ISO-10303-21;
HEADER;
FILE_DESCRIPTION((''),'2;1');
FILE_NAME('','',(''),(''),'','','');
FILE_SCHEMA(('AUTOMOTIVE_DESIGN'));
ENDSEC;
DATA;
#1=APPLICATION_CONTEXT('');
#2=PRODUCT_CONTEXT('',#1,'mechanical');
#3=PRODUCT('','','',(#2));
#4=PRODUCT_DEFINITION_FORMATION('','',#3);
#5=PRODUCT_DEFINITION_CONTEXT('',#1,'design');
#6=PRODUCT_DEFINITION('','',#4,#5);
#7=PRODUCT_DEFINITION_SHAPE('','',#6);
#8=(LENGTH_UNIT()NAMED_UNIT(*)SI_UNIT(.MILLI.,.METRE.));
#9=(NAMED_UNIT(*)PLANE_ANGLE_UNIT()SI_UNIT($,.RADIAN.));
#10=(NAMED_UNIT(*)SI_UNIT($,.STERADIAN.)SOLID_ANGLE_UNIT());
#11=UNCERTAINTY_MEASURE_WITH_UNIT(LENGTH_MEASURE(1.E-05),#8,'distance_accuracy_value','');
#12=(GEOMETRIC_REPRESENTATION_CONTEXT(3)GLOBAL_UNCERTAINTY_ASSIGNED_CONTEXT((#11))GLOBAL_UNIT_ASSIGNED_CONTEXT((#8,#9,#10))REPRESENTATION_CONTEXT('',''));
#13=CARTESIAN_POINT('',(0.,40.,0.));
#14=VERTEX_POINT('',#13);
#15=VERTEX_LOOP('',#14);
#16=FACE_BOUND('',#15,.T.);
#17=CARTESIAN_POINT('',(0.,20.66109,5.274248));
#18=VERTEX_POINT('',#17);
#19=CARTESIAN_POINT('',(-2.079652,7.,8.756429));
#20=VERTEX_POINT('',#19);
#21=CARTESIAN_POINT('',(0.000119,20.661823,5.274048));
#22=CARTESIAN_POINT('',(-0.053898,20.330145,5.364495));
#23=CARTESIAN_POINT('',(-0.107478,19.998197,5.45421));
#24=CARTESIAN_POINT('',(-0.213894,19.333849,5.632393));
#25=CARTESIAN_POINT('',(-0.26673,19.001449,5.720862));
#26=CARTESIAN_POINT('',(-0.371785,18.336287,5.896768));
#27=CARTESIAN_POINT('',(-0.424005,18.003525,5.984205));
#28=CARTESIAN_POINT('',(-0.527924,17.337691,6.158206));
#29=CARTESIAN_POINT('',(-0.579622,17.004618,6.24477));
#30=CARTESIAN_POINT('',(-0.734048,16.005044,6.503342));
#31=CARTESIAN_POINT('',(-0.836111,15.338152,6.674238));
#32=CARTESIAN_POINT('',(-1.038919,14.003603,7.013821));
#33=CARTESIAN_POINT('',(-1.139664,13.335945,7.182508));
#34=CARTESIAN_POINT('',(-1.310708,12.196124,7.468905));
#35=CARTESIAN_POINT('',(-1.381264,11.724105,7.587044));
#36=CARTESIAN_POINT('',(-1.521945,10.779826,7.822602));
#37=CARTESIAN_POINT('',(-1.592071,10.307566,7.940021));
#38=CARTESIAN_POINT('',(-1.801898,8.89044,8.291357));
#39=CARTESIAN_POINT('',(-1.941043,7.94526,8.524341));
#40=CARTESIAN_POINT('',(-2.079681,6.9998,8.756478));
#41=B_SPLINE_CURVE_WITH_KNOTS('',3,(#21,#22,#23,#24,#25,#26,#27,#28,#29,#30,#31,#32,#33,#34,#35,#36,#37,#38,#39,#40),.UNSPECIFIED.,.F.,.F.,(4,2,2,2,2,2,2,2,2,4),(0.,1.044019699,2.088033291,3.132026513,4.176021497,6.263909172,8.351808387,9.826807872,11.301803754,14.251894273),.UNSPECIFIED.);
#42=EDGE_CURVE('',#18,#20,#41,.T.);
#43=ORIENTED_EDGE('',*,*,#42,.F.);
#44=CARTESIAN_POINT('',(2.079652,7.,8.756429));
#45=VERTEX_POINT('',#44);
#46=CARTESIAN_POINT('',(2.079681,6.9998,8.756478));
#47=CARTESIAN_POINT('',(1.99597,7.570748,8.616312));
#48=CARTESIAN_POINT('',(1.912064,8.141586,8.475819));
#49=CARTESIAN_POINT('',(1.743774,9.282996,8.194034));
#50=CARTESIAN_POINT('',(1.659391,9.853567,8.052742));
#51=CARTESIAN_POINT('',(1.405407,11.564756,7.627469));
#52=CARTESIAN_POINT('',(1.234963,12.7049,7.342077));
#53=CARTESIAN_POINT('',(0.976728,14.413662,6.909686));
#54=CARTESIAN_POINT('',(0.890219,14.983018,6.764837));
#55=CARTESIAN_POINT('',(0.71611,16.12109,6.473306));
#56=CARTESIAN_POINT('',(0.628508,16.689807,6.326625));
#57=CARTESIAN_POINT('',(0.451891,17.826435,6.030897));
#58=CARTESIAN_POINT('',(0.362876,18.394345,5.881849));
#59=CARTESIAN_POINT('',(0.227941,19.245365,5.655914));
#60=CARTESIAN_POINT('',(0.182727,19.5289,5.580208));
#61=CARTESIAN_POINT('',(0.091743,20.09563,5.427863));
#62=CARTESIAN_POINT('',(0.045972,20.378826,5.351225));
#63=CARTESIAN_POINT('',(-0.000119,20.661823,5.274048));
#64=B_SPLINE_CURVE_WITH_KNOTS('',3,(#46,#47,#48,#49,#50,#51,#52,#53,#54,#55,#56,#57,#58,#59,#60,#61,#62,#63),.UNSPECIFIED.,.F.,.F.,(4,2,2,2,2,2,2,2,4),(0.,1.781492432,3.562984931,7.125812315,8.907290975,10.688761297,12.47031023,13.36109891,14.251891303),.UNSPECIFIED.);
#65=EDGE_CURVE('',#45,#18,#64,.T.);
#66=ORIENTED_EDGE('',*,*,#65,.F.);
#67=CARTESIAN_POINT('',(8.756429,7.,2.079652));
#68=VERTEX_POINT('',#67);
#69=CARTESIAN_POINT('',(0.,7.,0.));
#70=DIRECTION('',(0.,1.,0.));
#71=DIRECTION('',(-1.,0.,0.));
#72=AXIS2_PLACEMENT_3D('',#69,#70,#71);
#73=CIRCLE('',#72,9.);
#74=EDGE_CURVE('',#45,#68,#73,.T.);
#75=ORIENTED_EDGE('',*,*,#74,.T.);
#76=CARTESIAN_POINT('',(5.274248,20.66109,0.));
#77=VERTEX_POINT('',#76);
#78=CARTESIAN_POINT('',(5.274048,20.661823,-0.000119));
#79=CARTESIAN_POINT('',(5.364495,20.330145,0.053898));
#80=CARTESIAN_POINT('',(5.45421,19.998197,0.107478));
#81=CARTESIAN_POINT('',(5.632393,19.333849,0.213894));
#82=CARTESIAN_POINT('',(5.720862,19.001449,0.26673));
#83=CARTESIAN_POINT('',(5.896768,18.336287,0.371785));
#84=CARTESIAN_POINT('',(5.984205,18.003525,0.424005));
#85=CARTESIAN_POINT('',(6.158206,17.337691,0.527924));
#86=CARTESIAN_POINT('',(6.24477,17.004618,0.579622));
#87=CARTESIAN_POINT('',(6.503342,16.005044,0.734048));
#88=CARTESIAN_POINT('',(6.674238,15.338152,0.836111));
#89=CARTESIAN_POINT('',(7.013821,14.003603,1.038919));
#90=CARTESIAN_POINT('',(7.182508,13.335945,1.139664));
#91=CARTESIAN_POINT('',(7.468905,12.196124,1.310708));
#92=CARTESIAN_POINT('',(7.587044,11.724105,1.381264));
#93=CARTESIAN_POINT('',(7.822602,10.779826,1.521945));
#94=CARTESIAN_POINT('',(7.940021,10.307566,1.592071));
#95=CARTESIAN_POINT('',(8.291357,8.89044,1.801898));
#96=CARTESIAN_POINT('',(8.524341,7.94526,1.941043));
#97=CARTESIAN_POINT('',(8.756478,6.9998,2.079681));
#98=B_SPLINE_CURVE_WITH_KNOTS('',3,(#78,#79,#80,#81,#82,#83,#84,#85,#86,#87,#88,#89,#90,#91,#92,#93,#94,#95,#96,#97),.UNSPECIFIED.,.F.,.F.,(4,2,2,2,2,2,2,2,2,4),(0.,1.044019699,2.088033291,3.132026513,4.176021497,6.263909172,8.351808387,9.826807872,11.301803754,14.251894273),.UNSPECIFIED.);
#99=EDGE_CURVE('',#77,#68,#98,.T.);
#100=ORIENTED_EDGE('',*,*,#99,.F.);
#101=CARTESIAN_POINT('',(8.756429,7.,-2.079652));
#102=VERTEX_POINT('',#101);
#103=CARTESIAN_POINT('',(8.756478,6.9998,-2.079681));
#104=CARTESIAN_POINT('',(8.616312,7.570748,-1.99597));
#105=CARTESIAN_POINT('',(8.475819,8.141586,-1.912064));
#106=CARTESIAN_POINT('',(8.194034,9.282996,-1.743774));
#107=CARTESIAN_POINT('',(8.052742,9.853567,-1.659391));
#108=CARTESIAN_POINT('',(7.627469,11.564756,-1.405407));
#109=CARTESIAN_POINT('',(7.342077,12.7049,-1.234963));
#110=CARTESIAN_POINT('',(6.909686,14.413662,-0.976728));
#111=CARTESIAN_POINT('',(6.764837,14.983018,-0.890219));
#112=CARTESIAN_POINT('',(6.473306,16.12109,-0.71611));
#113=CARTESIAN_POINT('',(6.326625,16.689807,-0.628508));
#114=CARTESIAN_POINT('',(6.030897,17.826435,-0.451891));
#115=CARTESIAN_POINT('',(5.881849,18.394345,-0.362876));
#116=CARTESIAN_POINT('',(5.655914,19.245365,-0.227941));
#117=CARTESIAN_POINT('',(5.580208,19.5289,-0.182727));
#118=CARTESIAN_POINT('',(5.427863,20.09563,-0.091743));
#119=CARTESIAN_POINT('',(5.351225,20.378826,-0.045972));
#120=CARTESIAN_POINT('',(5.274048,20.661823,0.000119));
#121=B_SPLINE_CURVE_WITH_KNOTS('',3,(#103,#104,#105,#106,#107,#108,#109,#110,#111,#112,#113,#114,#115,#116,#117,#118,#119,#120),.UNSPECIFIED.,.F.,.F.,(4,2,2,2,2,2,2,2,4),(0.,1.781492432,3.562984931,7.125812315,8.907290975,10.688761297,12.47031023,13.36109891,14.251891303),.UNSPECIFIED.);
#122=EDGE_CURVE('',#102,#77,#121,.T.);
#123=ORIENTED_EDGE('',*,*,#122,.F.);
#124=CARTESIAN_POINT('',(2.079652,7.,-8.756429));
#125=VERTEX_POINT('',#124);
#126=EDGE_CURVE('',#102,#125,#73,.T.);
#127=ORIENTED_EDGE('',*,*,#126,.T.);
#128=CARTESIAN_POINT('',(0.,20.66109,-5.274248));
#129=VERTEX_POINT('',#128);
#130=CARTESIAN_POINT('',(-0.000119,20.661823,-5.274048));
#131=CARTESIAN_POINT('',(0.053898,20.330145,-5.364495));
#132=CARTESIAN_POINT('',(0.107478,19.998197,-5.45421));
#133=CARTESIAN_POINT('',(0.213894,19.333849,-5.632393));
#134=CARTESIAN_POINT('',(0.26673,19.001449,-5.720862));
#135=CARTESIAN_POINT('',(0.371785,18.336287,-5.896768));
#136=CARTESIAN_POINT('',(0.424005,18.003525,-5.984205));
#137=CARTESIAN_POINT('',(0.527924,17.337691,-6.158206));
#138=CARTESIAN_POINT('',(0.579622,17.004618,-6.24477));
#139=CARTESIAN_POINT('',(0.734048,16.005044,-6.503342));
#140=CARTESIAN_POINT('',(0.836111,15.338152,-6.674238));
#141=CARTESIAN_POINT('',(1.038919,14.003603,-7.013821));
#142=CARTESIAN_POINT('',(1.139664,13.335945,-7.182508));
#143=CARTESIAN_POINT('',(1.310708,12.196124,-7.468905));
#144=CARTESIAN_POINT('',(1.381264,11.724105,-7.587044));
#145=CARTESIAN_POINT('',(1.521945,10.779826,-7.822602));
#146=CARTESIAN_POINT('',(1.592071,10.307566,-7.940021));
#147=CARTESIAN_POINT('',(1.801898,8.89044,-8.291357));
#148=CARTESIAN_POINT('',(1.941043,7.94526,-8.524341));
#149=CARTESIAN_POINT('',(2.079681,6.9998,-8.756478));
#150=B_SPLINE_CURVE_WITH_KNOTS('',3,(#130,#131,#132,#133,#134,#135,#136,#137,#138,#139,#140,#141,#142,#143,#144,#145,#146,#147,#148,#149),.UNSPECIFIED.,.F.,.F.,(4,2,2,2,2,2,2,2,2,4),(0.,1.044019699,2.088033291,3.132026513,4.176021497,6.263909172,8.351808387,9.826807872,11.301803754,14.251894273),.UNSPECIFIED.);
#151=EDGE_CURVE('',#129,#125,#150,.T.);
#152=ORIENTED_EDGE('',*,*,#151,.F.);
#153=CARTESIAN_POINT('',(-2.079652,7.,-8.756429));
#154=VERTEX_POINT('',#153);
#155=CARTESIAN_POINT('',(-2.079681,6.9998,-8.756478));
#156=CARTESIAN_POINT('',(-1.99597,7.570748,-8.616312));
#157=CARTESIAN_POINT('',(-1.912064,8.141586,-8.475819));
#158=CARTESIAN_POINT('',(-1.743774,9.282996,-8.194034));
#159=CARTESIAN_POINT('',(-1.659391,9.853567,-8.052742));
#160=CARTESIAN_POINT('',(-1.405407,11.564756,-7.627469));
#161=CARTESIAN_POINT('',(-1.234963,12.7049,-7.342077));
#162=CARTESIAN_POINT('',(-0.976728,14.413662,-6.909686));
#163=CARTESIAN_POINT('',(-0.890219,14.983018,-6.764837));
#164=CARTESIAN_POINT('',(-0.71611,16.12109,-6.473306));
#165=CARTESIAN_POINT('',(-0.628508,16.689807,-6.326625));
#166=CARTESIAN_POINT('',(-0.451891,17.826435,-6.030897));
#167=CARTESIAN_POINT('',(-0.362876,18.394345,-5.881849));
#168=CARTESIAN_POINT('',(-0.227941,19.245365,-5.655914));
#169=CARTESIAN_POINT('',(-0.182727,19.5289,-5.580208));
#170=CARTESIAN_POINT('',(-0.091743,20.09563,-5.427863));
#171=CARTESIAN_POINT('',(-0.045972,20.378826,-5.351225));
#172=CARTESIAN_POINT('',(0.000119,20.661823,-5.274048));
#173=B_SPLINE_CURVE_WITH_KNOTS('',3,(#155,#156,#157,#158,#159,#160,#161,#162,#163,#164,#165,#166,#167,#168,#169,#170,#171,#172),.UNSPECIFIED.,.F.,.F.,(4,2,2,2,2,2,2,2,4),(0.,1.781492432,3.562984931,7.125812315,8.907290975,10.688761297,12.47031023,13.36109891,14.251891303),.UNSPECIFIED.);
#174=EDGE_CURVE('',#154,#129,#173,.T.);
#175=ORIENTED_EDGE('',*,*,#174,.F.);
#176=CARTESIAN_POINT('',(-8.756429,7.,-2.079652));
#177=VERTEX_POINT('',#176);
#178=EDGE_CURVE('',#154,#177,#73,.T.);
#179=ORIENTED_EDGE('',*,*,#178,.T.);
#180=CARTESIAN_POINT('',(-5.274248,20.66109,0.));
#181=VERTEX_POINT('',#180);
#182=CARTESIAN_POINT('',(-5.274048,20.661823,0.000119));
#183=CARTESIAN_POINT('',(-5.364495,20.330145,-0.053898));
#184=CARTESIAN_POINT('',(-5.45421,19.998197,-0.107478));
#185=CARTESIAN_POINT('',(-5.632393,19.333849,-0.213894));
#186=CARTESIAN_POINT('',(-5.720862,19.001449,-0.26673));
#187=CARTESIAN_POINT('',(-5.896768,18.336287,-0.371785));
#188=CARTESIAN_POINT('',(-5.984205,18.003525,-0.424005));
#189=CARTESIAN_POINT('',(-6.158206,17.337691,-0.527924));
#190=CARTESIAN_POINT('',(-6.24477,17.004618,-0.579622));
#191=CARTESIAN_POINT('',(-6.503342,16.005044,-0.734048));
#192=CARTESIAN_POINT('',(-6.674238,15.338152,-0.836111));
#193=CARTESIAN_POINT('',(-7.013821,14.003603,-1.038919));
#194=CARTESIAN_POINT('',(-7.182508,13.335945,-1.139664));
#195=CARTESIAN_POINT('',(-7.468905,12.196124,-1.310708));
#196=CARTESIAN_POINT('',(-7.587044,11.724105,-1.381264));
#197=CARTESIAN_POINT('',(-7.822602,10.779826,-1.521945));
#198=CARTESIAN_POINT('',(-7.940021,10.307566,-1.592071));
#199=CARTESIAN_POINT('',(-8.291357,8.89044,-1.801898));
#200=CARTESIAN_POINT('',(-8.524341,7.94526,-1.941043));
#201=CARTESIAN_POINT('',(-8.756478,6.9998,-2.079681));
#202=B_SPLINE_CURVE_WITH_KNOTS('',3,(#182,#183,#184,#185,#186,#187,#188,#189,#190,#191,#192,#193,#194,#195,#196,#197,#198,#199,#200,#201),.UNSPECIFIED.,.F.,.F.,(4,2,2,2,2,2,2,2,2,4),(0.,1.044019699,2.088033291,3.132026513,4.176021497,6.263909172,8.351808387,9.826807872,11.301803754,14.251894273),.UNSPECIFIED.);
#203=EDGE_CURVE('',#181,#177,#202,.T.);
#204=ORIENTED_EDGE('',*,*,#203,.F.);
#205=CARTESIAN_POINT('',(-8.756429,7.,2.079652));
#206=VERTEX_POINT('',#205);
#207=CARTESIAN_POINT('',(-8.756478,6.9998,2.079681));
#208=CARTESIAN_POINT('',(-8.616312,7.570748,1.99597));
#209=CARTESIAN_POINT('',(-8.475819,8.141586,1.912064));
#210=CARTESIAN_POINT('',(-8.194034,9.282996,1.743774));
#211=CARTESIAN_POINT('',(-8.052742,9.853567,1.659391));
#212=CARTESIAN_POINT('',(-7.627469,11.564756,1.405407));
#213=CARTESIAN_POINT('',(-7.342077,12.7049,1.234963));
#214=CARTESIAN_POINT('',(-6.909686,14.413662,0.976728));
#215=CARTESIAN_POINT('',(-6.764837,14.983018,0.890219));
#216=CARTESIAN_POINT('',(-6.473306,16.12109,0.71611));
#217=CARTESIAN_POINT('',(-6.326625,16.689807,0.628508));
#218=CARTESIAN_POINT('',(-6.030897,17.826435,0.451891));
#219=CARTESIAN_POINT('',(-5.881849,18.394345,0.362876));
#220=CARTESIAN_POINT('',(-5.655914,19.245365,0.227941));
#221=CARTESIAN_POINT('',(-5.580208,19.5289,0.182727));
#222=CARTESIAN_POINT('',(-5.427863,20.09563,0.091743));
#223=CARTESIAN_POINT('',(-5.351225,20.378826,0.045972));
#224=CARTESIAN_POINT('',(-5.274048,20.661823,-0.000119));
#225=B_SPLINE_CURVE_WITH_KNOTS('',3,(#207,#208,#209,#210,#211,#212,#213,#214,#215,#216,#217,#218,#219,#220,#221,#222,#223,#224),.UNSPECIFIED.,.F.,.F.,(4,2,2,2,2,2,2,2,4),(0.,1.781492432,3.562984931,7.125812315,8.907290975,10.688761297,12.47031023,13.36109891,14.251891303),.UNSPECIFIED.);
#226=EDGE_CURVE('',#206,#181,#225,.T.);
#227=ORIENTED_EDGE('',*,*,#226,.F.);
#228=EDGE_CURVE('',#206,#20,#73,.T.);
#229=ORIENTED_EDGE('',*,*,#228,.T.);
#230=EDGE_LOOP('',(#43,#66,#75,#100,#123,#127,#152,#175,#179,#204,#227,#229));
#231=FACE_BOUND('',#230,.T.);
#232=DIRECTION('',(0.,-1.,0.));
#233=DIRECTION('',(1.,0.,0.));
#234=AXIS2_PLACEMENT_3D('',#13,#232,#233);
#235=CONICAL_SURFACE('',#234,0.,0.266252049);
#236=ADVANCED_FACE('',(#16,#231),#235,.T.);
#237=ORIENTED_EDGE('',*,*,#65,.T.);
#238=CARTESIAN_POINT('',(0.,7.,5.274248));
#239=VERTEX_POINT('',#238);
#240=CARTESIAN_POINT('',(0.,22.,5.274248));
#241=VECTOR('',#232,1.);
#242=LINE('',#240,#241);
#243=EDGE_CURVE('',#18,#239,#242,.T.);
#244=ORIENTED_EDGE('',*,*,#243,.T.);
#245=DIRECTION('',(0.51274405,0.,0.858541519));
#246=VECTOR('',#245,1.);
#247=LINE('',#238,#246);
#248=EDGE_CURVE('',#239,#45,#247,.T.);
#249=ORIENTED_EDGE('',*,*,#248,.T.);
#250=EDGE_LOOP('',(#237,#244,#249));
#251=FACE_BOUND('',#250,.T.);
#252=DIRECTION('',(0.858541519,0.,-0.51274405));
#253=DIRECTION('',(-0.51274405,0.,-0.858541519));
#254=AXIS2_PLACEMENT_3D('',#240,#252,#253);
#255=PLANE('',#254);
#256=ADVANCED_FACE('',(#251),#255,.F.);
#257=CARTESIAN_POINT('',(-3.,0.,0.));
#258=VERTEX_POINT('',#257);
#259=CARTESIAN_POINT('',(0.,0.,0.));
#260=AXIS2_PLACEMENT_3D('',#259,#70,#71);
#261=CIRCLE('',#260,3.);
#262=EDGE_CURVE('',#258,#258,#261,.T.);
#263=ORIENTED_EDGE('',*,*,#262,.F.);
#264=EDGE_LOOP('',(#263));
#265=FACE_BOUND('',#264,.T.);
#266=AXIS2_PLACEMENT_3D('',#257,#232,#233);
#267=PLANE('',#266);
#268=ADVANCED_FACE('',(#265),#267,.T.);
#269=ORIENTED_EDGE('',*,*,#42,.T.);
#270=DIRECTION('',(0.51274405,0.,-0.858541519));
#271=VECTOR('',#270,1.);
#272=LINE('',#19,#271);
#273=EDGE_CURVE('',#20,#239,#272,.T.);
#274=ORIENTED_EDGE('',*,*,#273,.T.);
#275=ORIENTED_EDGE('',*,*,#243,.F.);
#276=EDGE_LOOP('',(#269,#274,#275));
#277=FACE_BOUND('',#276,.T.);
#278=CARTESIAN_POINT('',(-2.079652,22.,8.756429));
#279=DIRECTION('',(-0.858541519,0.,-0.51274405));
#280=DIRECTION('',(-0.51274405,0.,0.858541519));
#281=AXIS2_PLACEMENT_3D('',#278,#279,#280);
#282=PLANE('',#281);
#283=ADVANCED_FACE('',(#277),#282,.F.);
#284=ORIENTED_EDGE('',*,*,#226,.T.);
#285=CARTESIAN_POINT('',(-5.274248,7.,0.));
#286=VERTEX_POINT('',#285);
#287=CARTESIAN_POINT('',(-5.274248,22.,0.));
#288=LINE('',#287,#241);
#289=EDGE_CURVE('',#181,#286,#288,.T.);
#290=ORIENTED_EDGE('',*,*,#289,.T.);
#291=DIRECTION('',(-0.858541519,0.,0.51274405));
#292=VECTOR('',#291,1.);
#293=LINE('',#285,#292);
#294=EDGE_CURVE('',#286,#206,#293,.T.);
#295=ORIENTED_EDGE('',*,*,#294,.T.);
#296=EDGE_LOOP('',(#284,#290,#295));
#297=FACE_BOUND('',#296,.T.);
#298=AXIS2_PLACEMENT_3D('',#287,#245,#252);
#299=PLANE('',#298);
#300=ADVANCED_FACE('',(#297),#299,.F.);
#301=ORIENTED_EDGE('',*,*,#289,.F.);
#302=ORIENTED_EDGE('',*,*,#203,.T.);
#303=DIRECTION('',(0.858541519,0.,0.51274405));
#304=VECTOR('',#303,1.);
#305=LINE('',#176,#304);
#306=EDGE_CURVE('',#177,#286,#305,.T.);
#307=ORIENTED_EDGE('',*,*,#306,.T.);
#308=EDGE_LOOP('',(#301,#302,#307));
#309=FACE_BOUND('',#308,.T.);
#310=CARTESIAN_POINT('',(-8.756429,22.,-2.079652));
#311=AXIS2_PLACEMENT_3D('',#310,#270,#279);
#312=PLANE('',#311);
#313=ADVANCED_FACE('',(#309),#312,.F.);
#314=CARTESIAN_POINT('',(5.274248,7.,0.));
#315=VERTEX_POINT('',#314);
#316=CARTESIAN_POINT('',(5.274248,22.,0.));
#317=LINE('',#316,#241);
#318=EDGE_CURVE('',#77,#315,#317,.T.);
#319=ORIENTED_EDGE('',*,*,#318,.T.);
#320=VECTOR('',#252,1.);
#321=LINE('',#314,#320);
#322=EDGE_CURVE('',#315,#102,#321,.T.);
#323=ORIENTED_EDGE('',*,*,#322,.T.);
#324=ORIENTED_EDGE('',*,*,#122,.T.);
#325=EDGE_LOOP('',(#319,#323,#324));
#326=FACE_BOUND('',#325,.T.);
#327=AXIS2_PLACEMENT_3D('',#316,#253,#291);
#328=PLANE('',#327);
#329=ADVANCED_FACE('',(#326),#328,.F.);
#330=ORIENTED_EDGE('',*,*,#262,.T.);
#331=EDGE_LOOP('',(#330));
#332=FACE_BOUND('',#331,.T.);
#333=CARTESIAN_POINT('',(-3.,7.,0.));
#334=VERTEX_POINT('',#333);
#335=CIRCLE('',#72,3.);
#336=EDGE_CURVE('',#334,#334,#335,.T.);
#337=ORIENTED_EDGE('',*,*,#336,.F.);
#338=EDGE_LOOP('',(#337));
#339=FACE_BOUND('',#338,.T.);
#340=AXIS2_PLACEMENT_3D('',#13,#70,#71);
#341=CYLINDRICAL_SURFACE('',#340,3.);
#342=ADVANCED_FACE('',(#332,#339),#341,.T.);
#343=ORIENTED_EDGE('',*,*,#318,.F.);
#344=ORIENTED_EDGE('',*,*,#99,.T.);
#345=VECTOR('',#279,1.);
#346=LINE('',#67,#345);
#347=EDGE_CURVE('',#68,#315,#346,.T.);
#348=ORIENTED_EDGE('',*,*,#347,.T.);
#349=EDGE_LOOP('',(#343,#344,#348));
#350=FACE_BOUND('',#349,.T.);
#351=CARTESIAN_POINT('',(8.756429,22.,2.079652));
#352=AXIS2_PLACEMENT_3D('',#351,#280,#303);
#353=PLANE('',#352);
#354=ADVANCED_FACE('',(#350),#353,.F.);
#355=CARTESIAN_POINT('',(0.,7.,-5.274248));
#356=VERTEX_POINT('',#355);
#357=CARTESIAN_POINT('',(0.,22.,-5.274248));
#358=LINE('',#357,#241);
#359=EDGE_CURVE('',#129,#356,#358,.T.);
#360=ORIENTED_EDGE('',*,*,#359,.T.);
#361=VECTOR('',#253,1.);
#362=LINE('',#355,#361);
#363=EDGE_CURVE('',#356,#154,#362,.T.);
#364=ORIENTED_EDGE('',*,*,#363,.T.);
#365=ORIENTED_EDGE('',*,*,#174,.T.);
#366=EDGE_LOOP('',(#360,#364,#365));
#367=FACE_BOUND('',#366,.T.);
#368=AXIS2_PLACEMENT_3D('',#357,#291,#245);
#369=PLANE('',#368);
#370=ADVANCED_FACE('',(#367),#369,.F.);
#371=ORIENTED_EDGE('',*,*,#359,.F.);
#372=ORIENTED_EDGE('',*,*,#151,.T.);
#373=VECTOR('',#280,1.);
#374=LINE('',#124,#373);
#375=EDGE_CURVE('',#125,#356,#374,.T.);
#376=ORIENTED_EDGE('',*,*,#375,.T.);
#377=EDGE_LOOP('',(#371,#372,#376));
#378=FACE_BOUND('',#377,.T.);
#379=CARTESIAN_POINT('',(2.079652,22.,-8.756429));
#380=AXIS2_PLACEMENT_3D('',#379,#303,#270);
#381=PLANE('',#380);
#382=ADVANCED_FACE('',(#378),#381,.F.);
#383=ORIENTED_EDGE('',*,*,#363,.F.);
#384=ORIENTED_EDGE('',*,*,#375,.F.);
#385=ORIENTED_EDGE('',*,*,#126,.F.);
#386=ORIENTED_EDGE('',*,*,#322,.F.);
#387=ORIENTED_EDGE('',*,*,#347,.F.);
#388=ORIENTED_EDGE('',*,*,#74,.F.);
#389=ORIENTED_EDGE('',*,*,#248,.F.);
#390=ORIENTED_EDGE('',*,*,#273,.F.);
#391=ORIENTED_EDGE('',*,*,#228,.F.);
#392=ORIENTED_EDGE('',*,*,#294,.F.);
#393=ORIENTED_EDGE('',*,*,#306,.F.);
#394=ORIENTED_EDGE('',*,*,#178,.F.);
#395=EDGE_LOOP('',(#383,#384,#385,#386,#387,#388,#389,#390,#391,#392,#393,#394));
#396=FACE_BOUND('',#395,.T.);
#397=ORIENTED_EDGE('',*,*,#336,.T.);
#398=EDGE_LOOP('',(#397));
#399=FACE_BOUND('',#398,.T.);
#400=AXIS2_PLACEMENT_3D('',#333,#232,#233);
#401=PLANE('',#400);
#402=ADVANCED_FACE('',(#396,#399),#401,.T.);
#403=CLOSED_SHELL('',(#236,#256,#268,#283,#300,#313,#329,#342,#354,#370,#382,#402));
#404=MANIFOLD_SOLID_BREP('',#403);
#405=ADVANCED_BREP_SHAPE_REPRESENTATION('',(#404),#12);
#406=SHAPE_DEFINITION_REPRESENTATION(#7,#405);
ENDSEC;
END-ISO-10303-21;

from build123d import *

# Parameters (mm, degrees)
CUT_EXTRUDE1_DEPTH = 15


with BuildPart() as part:
    # Sketch1 → Revolve1 (revolve)
    with BuildSketch(Plane.XY):
        Polygon((-3, 0), (-3, 7), (-9, 7), (0, 40), (0, 0), align=None)
    revolve(axis=Axis((0, 40, 0), (0, -1, 0)))

    # Sketch2 → Cut-Extrude1 (cut)
    with BuildSketch(Plane.XZ.offset(-7)):
        with BuildLine():
            Line((-2.079651877, 8.756428956), (0, 5.274248167))
            Line((0, 5.274248167), (2.079651877, 8.756428956))
            ThreePointArc((2.079651877, 8.756428956), (0, 9.330174076), (-2.079651877, 8.756428956))
        make_face()
        with BuildLine():
            Line((8.756428956, 2.079651877), (5.274248167, 0))
            Line((5.274248167, 0), (8.756428956, -2.079651877))
            ThreePointArc((8.756428956, -2.079651877), (9.330174076, 0), (8.756428956, 2.079651877))
        make_face()
        with BuildLine():
            Line((2.079651877, -8.756428956), (0, -5.274248167))
            Line((0, -5.274248167), (-2.079651877, -8.756428956))
            ThreePointArc((-2.079651877, -8.756428956), (0, -9.330174076), (2.079651877, -8.756428956))
        make_face()
        with BuildLine():
            Line((-8.756428956, -2.079651877), (-5.274248167, 0))
            Line((-5.274248167, 0), (-8.756428956, 2.079651877))
            ThreePointArc((-8.756428956, 2.079651877), (-9.330174076, 0), (-8.756428956, -2.079651877))
        make_face()
    extrude(amount=-CUT_EXTRUDE1_DEPTH, mode=Mode.SUBTRACT)


solid = part.part
